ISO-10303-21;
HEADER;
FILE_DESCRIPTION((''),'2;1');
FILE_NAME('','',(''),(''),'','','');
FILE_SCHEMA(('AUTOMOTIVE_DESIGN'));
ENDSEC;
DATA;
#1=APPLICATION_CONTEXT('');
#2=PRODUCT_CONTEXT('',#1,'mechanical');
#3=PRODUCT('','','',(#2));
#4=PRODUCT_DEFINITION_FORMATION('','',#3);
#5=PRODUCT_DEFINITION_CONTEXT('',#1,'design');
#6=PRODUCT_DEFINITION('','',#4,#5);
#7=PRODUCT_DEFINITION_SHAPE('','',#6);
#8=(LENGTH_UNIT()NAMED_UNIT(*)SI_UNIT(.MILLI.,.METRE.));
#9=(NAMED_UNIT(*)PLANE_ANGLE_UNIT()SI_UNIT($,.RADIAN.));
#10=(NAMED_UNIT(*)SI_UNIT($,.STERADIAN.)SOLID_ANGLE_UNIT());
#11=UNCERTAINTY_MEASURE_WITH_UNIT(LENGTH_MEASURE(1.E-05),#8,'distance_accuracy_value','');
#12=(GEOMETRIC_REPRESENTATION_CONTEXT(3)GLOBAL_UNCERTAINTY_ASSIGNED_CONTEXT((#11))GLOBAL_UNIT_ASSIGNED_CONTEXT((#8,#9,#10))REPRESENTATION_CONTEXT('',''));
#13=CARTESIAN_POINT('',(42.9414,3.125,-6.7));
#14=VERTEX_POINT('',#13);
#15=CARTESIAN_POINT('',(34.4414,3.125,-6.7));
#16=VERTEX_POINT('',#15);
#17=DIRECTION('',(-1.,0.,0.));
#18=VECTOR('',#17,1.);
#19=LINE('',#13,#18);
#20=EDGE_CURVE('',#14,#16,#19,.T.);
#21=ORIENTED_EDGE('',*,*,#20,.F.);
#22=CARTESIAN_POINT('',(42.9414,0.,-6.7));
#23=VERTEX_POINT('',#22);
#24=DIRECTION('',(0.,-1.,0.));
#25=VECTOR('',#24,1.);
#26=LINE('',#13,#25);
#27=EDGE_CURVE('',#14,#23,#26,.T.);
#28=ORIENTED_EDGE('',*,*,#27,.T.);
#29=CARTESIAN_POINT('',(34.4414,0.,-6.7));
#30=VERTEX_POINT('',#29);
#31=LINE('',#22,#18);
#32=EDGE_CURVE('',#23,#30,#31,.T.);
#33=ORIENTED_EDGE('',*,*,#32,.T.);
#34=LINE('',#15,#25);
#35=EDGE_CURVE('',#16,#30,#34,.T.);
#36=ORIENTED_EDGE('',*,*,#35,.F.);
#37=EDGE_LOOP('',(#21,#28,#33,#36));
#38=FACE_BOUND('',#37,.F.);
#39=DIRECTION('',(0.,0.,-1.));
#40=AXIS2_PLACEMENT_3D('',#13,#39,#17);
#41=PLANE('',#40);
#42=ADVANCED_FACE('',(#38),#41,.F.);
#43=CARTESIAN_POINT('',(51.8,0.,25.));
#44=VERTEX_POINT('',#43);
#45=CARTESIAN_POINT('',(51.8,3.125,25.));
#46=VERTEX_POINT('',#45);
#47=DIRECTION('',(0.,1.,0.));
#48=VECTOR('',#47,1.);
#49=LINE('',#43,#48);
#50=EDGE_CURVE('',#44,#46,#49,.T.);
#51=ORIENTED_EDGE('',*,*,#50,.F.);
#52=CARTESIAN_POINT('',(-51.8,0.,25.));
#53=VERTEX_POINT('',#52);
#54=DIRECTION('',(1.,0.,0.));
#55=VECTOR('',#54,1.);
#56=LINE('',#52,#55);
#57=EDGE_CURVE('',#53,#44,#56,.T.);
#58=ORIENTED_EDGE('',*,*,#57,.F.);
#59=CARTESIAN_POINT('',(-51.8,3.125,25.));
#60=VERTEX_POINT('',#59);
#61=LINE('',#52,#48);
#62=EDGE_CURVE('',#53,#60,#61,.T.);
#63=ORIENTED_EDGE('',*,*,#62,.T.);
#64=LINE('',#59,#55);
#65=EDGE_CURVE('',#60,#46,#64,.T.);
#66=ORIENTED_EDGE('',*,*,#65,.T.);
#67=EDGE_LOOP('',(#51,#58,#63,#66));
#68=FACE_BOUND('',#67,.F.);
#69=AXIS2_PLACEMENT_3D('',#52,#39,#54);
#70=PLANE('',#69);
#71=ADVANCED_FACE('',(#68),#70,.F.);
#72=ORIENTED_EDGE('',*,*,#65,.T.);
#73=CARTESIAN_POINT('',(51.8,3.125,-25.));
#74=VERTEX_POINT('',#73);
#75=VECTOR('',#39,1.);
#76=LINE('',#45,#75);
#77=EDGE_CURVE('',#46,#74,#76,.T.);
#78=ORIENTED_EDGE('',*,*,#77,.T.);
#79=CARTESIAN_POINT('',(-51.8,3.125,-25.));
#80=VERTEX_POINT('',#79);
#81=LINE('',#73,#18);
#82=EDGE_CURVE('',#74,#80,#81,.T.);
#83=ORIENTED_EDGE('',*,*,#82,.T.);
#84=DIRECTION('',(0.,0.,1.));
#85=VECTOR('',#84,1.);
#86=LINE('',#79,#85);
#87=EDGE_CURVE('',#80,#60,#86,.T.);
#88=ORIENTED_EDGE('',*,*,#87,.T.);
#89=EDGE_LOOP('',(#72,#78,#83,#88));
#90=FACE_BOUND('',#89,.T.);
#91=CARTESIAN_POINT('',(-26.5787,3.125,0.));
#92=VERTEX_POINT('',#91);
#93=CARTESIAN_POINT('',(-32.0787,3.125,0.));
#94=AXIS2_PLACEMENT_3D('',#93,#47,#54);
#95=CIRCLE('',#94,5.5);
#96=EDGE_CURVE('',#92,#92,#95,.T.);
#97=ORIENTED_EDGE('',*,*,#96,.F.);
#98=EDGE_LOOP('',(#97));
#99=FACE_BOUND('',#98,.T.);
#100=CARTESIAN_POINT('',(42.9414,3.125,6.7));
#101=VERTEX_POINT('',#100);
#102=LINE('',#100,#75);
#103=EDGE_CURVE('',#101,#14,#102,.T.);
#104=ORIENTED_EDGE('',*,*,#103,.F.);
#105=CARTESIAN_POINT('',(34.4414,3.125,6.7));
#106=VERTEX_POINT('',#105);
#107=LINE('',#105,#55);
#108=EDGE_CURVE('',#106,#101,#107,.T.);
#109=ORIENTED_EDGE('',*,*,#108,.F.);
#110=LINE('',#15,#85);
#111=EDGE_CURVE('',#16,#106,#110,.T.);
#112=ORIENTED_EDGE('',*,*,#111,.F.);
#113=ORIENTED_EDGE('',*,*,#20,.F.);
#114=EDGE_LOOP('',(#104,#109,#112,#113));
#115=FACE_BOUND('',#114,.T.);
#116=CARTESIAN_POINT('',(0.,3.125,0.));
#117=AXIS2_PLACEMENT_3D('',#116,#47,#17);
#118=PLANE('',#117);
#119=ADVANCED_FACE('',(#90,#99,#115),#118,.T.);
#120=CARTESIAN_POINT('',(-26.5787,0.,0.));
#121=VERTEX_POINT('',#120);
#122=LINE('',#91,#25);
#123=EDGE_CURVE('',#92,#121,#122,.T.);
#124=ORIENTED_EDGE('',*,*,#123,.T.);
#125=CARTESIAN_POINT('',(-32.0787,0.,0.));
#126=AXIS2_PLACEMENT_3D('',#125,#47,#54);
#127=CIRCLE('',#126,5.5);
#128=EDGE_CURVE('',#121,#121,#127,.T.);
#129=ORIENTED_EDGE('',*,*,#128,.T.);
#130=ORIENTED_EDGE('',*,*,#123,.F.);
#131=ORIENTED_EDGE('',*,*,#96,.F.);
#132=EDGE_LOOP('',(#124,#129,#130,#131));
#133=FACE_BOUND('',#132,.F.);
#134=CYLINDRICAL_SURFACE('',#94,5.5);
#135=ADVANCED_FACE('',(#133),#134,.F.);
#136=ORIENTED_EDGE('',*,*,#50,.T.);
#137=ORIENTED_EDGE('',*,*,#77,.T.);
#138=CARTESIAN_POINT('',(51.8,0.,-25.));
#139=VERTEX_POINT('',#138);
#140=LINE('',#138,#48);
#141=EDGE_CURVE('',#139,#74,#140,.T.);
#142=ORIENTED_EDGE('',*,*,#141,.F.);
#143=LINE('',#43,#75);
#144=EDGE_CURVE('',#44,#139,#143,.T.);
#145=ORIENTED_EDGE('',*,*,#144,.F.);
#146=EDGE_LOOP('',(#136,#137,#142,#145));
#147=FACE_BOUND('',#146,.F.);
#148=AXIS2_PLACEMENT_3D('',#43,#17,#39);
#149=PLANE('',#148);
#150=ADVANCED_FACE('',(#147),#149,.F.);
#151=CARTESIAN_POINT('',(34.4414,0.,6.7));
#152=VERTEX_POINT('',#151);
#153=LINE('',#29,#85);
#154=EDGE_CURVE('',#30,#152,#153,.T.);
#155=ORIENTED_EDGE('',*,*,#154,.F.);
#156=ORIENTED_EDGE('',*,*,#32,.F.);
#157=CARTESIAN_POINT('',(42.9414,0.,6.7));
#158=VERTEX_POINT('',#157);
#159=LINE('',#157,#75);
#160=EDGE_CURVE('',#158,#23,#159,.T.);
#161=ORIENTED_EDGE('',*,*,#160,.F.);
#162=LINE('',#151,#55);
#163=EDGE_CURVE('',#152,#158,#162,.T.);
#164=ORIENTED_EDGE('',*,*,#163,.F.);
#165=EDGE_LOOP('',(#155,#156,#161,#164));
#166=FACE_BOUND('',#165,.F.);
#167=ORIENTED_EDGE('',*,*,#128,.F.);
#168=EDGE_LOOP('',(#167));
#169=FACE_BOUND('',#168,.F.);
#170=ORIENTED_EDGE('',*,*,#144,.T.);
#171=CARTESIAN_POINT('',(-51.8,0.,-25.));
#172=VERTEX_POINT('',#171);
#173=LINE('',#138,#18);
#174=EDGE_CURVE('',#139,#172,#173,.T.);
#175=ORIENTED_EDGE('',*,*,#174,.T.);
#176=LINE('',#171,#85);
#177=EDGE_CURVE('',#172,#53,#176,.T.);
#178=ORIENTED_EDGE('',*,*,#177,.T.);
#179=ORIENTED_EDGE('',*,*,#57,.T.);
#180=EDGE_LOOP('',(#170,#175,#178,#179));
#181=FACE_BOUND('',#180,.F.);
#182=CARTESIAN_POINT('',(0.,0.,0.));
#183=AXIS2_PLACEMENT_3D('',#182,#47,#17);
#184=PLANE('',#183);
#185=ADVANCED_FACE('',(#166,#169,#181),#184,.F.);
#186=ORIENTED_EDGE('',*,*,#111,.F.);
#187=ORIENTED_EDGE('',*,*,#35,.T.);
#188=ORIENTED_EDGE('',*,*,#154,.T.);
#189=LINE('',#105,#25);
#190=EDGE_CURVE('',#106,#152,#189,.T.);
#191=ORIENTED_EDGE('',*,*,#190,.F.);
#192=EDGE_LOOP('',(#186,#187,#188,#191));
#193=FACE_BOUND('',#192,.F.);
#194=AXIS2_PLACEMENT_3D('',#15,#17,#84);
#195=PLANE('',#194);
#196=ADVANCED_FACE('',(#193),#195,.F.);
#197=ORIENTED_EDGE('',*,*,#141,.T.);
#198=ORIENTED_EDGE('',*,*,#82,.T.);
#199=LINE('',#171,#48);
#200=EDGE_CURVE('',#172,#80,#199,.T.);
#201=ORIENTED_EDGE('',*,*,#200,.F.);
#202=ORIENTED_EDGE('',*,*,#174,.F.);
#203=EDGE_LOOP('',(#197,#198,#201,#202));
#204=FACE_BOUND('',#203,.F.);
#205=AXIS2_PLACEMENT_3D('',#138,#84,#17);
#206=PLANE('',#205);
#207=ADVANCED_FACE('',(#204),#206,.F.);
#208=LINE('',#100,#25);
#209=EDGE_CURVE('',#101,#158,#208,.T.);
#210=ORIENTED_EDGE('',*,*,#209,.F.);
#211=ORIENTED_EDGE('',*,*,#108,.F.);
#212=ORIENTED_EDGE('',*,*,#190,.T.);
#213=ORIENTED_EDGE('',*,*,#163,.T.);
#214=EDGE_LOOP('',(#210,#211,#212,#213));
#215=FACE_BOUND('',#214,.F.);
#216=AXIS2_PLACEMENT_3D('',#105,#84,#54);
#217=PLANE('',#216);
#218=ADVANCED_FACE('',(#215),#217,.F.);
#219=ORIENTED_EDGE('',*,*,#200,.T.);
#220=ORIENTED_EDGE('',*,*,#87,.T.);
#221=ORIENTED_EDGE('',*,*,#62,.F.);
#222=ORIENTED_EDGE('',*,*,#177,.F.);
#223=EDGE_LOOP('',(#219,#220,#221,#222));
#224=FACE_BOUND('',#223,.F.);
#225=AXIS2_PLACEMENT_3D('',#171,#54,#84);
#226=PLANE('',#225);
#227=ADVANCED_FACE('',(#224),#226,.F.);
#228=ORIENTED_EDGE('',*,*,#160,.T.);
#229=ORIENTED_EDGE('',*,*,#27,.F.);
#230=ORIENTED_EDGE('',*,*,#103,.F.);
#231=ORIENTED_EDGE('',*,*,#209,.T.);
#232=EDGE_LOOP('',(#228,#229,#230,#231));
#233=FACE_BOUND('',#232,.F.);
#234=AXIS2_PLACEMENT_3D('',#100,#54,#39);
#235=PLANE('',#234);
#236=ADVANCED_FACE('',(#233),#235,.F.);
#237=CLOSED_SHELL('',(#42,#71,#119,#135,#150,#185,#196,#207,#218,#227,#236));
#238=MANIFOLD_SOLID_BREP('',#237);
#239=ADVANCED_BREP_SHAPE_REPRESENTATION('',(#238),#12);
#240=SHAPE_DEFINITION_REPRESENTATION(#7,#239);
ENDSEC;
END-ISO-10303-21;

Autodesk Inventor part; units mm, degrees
ref_plane "YZ Plane" through (0, 0, 0) normal (1, 0, 0) x (0, 1, 0)
ref_plane "XZ Plane" through (0, 0, 0) normal (0, 1, 0) x (-1, 0, 0)
ref_plane "XY Plane" through (0, 0, 0) normal (0, 0, 1) x (1, 0, 0)
sketch "Sketch1" plane through (0, 0, 0) normal (0, 1, 0) x (-1, 0, 0)
  line L0 (51.8, 25) -> (-51.8, 25)
  line L1 (-51.8, 25) -> (-51.8, -25)
  line L2 (-51.8, -25) -> (51.8, -25)
  line L3 (51.8, -25) -> (51.8, 25)
  line L4 (51.8, 25) -> (-51.8, -25) construction
  line L5 (-51.8, 25) -> (51.8, -25) construction
  point P0 (0, 0)
  dimension "d0" = 103.6
  dimension "d1" = 50
extrude "Extrusion1" add sketch "Sketch1" along normal blind 3.125
sketch "Sketch2" plane through (0, 3.125, 0) normal (0, 1, 0) x (1, 0, 0)
  circle A0 centre (-32.0787, 0) radius 5.5
  point P0 (0, 0)
  dimension "d4" = 11
extrude "Extrusion2" cut sketch "Sketch2" against normal blind 3.125
sketch "Sketch3" plane through (0, 3.125, 0) normal (0, 1, 0) x (1, 0, 0)
  line L0 (34.4414, -6.7) -> (42.9414, -6.7)
  line L1 (42.9414, -6.7) -> (42.9414, 6.7)
  line L2 (42.9414, 6.7) -> (34.4414, 6.7)
  line L3 (34.4414, 6.7) -> (34.4414, -6.7)
  line L4 (34.4414, -6.7) -> (42.9414, 6.7) construction
  line L5 (42.9414, -6.7) -> (34.4414, 6.7) construction
  point P0 (0, 0)
  point P1 (38.6914, 0)
  dimension "d7" = 8.5
  dimension "d8" = 13.4
extrude "Extrusion3" cut sketch "Sketch3" against normal blind 3.125
properties part number "PARED"
